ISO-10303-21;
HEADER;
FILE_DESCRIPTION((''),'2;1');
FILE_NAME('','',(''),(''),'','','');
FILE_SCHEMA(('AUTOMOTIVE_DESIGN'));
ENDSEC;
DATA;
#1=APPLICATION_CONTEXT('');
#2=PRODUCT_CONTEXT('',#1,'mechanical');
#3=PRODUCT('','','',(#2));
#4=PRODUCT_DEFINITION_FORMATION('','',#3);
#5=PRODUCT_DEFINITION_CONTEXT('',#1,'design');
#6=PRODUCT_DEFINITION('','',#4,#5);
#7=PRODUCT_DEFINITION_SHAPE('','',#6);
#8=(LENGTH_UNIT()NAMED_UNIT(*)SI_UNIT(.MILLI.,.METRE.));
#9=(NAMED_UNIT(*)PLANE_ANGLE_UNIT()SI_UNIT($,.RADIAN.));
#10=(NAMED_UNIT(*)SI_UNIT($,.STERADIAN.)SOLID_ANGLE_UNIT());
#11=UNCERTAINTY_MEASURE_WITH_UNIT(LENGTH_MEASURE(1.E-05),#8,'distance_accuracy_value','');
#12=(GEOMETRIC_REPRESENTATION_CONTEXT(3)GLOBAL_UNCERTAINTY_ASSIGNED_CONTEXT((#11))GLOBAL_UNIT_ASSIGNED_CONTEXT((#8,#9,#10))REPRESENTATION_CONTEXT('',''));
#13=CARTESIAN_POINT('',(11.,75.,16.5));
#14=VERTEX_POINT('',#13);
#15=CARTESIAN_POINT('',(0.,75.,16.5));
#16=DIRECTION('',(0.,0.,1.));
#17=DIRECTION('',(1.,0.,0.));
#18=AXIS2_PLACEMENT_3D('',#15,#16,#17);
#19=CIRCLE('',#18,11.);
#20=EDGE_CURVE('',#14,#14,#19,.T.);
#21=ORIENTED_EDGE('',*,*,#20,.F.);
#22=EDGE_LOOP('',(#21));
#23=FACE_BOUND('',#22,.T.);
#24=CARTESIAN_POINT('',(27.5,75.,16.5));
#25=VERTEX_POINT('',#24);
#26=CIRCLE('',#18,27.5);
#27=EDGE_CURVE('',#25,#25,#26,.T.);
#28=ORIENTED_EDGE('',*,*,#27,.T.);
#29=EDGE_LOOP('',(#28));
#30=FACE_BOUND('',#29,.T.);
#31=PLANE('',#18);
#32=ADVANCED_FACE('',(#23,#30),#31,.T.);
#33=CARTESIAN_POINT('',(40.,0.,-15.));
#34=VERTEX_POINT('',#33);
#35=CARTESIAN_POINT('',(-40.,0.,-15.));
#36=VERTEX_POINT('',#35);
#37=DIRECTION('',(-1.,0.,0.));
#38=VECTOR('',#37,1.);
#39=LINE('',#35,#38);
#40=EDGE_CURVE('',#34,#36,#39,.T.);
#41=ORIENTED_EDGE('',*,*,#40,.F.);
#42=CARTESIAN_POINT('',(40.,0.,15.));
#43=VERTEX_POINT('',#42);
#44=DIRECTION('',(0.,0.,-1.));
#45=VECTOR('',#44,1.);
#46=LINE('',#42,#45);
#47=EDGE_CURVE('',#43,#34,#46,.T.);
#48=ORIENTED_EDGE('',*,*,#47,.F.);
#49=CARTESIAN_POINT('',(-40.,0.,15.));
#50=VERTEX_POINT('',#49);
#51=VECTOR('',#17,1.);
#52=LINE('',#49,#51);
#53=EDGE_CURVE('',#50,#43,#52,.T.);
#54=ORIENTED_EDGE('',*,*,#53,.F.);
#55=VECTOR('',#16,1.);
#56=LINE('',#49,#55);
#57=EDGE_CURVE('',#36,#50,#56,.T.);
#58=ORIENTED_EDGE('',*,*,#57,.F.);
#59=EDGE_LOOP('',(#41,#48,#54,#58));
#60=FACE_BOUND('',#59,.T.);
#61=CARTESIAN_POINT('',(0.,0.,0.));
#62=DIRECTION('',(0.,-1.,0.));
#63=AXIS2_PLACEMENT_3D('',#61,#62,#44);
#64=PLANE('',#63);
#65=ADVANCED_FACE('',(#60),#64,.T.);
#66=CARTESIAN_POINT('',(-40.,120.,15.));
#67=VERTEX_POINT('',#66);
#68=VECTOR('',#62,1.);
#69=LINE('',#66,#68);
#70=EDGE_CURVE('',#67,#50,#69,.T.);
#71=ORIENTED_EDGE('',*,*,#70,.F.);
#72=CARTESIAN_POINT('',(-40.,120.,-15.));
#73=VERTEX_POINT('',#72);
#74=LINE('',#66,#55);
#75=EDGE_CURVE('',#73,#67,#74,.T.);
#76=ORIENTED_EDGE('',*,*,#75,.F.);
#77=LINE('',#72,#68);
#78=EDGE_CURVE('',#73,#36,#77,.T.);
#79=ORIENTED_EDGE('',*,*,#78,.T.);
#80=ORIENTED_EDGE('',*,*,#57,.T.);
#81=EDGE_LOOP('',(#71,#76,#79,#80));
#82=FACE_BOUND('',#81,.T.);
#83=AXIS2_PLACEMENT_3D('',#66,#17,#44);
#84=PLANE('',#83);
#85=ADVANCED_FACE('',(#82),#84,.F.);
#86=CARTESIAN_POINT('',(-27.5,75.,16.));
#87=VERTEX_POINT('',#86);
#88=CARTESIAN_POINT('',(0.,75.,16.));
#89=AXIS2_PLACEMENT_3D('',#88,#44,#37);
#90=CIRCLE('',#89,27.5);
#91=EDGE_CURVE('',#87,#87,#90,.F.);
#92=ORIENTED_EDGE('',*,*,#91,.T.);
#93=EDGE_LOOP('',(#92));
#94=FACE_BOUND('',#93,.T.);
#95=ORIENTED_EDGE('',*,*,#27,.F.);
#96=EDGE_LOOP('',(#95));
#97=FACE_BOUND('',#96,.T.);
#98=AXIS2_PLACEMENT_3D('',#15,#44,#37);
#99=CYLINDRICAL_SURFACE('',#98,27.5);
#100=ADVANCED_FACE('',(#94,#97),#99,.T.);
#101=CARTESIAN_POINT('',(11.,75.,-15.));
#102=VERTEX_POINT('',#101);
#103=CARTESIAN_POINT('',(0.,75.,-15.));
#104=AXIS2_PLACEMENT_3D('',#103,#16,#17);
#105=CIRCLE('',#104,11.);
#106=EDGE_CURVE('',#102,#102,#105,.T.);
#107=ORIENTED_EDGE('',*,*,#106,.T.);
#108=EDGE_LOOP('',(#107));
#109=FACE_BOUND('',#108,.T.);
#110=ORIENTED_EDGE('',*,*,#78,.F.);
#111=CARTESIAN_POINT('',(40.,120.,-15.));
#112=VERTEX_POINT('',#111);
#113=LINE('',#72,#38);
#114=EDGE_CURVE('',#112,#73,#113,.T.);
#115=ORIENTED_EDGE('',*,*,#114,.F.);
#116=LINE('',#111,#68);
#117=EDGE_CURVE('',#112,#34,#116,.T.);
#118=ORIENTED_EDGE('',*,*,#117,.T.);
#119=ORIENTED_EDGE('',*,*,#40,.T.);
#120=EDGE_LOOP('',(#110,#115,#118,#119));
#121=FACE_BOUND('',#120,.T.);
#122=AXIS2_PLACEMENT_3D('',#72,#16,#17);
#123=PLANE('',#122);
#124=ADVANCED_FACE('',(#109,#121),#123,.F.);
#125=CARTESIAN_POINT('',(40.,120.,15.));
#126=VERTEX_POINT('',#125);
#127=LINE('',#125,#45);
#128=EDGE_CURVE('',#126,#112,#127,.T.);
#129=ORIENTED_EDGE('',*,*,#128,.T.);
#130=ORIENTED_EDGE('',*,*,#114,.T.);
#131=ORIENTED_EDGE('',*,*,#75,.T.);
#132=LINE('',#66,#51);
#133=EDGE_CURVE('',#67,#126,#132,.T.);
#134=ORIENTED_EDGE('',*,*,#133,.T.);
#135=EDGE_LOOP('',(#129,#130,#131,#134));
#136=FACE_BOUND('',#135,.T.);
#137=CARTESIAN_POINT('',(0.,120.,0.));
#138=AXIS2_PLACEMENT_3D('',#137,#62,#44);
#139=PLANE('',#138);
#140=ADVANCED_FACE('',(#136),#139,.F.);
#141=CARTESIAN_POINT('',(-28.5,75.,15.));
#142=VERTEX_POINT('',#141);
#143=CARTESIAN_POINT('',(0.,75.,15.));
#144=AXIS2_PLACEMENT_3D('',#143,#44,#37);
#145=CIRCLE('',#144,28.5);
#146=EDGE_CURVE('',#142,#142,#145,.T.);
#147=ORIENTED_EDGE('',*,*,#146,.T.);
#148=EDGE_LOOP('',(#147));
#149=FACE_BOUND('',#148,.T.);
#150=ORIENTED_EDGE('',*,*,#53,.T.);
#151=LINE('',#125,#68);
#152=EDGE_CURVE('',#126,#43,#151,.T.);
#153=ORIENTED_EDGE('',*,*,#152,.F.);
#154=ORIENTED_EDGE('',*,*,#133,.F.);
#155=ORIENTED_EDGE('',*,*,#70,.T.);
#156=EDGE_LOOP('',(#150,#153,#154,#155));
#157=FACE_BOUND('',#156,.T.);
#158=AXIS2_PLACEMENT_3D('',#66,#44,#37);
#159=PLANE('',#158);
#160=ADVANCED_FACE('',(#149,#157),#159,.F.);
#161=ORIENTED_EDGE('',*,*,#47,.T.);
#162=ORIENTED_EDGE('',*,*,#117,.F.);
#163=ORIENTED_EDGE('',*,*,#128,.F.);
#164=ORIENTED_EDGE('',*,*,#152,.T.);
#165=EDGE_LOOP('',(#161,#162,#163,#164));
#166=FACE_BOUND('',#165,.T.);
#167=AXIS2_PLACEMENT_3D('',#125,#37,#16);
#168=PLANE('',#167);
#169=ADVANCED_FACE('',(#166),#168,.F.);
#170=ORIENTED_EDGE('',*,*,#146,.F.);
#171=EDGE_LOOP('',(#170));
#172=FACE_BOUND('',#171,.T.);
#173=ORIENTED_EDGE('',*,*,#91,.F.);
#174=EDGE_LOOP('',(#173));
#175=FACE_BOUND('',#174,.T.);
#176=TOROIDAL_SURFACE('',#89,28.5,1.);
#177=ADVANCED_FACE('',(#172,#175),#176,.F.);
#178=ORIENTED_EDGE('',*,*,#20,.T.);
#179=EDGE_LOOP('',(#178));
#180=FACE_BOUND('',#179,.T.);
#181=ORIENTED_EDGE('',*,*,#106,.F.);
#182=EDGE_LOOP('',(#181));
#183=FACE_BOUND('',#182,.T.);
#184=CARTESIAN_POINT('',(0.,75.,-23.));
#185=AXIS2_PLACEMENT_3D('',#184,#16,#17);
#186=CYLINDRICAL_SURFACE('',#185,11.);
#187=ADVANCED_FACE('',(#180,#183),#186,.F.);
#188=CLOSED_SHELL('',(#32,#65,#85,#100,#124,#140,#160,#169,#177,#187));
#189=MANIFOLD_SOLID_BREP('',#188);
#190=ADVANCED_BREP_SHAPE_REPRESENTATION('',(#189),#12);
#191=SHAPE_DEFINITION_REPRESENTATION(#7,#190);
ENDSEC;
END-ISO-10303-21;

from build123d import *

# Parameters (mm, degrees)
SKETCH_1_W          = 80
SKETCH_1_H          = 30
EXTRUDE_1_DEPTH     = 120
SKETCH_2_R          = 27.5
EXTRUDE_2_DEPTH     = 1.5
SKETCH_3_R          = 11
CUT_EXTRUDE_1_DEPTH = 39.5
FILLET_1_R          = 1


with BuildPart() as part:
    # 草图1 → 凸台-拉伸1 (new body)
    with BuildSketch(Plane(origin=(0, 0, 0), x_dir=(1, 0, 0), z_dir=(0, 1, 0))):
        Rectangle(SKETCH_1_W, SKETCH_1_H)
    extrude(amount=EXTRUDE_1_DEPTH)

    # 草图2 → 凸台-拉伸2 (add)
    with BuildSketch(Plane.XY.offset(15)):
        with Locations(Location((0, 75, 0), (0, 0, 180))):
            Circle(SKETCH_2_R)
    extrude(amount=EXTRUDE_2_DEPTH)

    # 草图3 → 切除-拉伸1 (cut)
    with BuildSketch(Plane.XY.offset(16.5)):
        with Locations((0, 75)):
            Circle(SKETCH_3_R)
    extrude(amount=-CUT_EXTRUDE_1_DEPTH, mode=Mode.SUBTRACT)

    # 圆角1
    fillet_1_edges = [part.edges().sort_by_distance(p)[0] for p in [
        (27.5, 75, 15),
    ]]
    fillet(fillet_1_edges, radius=FILLET_1_R)


solid = part.part
